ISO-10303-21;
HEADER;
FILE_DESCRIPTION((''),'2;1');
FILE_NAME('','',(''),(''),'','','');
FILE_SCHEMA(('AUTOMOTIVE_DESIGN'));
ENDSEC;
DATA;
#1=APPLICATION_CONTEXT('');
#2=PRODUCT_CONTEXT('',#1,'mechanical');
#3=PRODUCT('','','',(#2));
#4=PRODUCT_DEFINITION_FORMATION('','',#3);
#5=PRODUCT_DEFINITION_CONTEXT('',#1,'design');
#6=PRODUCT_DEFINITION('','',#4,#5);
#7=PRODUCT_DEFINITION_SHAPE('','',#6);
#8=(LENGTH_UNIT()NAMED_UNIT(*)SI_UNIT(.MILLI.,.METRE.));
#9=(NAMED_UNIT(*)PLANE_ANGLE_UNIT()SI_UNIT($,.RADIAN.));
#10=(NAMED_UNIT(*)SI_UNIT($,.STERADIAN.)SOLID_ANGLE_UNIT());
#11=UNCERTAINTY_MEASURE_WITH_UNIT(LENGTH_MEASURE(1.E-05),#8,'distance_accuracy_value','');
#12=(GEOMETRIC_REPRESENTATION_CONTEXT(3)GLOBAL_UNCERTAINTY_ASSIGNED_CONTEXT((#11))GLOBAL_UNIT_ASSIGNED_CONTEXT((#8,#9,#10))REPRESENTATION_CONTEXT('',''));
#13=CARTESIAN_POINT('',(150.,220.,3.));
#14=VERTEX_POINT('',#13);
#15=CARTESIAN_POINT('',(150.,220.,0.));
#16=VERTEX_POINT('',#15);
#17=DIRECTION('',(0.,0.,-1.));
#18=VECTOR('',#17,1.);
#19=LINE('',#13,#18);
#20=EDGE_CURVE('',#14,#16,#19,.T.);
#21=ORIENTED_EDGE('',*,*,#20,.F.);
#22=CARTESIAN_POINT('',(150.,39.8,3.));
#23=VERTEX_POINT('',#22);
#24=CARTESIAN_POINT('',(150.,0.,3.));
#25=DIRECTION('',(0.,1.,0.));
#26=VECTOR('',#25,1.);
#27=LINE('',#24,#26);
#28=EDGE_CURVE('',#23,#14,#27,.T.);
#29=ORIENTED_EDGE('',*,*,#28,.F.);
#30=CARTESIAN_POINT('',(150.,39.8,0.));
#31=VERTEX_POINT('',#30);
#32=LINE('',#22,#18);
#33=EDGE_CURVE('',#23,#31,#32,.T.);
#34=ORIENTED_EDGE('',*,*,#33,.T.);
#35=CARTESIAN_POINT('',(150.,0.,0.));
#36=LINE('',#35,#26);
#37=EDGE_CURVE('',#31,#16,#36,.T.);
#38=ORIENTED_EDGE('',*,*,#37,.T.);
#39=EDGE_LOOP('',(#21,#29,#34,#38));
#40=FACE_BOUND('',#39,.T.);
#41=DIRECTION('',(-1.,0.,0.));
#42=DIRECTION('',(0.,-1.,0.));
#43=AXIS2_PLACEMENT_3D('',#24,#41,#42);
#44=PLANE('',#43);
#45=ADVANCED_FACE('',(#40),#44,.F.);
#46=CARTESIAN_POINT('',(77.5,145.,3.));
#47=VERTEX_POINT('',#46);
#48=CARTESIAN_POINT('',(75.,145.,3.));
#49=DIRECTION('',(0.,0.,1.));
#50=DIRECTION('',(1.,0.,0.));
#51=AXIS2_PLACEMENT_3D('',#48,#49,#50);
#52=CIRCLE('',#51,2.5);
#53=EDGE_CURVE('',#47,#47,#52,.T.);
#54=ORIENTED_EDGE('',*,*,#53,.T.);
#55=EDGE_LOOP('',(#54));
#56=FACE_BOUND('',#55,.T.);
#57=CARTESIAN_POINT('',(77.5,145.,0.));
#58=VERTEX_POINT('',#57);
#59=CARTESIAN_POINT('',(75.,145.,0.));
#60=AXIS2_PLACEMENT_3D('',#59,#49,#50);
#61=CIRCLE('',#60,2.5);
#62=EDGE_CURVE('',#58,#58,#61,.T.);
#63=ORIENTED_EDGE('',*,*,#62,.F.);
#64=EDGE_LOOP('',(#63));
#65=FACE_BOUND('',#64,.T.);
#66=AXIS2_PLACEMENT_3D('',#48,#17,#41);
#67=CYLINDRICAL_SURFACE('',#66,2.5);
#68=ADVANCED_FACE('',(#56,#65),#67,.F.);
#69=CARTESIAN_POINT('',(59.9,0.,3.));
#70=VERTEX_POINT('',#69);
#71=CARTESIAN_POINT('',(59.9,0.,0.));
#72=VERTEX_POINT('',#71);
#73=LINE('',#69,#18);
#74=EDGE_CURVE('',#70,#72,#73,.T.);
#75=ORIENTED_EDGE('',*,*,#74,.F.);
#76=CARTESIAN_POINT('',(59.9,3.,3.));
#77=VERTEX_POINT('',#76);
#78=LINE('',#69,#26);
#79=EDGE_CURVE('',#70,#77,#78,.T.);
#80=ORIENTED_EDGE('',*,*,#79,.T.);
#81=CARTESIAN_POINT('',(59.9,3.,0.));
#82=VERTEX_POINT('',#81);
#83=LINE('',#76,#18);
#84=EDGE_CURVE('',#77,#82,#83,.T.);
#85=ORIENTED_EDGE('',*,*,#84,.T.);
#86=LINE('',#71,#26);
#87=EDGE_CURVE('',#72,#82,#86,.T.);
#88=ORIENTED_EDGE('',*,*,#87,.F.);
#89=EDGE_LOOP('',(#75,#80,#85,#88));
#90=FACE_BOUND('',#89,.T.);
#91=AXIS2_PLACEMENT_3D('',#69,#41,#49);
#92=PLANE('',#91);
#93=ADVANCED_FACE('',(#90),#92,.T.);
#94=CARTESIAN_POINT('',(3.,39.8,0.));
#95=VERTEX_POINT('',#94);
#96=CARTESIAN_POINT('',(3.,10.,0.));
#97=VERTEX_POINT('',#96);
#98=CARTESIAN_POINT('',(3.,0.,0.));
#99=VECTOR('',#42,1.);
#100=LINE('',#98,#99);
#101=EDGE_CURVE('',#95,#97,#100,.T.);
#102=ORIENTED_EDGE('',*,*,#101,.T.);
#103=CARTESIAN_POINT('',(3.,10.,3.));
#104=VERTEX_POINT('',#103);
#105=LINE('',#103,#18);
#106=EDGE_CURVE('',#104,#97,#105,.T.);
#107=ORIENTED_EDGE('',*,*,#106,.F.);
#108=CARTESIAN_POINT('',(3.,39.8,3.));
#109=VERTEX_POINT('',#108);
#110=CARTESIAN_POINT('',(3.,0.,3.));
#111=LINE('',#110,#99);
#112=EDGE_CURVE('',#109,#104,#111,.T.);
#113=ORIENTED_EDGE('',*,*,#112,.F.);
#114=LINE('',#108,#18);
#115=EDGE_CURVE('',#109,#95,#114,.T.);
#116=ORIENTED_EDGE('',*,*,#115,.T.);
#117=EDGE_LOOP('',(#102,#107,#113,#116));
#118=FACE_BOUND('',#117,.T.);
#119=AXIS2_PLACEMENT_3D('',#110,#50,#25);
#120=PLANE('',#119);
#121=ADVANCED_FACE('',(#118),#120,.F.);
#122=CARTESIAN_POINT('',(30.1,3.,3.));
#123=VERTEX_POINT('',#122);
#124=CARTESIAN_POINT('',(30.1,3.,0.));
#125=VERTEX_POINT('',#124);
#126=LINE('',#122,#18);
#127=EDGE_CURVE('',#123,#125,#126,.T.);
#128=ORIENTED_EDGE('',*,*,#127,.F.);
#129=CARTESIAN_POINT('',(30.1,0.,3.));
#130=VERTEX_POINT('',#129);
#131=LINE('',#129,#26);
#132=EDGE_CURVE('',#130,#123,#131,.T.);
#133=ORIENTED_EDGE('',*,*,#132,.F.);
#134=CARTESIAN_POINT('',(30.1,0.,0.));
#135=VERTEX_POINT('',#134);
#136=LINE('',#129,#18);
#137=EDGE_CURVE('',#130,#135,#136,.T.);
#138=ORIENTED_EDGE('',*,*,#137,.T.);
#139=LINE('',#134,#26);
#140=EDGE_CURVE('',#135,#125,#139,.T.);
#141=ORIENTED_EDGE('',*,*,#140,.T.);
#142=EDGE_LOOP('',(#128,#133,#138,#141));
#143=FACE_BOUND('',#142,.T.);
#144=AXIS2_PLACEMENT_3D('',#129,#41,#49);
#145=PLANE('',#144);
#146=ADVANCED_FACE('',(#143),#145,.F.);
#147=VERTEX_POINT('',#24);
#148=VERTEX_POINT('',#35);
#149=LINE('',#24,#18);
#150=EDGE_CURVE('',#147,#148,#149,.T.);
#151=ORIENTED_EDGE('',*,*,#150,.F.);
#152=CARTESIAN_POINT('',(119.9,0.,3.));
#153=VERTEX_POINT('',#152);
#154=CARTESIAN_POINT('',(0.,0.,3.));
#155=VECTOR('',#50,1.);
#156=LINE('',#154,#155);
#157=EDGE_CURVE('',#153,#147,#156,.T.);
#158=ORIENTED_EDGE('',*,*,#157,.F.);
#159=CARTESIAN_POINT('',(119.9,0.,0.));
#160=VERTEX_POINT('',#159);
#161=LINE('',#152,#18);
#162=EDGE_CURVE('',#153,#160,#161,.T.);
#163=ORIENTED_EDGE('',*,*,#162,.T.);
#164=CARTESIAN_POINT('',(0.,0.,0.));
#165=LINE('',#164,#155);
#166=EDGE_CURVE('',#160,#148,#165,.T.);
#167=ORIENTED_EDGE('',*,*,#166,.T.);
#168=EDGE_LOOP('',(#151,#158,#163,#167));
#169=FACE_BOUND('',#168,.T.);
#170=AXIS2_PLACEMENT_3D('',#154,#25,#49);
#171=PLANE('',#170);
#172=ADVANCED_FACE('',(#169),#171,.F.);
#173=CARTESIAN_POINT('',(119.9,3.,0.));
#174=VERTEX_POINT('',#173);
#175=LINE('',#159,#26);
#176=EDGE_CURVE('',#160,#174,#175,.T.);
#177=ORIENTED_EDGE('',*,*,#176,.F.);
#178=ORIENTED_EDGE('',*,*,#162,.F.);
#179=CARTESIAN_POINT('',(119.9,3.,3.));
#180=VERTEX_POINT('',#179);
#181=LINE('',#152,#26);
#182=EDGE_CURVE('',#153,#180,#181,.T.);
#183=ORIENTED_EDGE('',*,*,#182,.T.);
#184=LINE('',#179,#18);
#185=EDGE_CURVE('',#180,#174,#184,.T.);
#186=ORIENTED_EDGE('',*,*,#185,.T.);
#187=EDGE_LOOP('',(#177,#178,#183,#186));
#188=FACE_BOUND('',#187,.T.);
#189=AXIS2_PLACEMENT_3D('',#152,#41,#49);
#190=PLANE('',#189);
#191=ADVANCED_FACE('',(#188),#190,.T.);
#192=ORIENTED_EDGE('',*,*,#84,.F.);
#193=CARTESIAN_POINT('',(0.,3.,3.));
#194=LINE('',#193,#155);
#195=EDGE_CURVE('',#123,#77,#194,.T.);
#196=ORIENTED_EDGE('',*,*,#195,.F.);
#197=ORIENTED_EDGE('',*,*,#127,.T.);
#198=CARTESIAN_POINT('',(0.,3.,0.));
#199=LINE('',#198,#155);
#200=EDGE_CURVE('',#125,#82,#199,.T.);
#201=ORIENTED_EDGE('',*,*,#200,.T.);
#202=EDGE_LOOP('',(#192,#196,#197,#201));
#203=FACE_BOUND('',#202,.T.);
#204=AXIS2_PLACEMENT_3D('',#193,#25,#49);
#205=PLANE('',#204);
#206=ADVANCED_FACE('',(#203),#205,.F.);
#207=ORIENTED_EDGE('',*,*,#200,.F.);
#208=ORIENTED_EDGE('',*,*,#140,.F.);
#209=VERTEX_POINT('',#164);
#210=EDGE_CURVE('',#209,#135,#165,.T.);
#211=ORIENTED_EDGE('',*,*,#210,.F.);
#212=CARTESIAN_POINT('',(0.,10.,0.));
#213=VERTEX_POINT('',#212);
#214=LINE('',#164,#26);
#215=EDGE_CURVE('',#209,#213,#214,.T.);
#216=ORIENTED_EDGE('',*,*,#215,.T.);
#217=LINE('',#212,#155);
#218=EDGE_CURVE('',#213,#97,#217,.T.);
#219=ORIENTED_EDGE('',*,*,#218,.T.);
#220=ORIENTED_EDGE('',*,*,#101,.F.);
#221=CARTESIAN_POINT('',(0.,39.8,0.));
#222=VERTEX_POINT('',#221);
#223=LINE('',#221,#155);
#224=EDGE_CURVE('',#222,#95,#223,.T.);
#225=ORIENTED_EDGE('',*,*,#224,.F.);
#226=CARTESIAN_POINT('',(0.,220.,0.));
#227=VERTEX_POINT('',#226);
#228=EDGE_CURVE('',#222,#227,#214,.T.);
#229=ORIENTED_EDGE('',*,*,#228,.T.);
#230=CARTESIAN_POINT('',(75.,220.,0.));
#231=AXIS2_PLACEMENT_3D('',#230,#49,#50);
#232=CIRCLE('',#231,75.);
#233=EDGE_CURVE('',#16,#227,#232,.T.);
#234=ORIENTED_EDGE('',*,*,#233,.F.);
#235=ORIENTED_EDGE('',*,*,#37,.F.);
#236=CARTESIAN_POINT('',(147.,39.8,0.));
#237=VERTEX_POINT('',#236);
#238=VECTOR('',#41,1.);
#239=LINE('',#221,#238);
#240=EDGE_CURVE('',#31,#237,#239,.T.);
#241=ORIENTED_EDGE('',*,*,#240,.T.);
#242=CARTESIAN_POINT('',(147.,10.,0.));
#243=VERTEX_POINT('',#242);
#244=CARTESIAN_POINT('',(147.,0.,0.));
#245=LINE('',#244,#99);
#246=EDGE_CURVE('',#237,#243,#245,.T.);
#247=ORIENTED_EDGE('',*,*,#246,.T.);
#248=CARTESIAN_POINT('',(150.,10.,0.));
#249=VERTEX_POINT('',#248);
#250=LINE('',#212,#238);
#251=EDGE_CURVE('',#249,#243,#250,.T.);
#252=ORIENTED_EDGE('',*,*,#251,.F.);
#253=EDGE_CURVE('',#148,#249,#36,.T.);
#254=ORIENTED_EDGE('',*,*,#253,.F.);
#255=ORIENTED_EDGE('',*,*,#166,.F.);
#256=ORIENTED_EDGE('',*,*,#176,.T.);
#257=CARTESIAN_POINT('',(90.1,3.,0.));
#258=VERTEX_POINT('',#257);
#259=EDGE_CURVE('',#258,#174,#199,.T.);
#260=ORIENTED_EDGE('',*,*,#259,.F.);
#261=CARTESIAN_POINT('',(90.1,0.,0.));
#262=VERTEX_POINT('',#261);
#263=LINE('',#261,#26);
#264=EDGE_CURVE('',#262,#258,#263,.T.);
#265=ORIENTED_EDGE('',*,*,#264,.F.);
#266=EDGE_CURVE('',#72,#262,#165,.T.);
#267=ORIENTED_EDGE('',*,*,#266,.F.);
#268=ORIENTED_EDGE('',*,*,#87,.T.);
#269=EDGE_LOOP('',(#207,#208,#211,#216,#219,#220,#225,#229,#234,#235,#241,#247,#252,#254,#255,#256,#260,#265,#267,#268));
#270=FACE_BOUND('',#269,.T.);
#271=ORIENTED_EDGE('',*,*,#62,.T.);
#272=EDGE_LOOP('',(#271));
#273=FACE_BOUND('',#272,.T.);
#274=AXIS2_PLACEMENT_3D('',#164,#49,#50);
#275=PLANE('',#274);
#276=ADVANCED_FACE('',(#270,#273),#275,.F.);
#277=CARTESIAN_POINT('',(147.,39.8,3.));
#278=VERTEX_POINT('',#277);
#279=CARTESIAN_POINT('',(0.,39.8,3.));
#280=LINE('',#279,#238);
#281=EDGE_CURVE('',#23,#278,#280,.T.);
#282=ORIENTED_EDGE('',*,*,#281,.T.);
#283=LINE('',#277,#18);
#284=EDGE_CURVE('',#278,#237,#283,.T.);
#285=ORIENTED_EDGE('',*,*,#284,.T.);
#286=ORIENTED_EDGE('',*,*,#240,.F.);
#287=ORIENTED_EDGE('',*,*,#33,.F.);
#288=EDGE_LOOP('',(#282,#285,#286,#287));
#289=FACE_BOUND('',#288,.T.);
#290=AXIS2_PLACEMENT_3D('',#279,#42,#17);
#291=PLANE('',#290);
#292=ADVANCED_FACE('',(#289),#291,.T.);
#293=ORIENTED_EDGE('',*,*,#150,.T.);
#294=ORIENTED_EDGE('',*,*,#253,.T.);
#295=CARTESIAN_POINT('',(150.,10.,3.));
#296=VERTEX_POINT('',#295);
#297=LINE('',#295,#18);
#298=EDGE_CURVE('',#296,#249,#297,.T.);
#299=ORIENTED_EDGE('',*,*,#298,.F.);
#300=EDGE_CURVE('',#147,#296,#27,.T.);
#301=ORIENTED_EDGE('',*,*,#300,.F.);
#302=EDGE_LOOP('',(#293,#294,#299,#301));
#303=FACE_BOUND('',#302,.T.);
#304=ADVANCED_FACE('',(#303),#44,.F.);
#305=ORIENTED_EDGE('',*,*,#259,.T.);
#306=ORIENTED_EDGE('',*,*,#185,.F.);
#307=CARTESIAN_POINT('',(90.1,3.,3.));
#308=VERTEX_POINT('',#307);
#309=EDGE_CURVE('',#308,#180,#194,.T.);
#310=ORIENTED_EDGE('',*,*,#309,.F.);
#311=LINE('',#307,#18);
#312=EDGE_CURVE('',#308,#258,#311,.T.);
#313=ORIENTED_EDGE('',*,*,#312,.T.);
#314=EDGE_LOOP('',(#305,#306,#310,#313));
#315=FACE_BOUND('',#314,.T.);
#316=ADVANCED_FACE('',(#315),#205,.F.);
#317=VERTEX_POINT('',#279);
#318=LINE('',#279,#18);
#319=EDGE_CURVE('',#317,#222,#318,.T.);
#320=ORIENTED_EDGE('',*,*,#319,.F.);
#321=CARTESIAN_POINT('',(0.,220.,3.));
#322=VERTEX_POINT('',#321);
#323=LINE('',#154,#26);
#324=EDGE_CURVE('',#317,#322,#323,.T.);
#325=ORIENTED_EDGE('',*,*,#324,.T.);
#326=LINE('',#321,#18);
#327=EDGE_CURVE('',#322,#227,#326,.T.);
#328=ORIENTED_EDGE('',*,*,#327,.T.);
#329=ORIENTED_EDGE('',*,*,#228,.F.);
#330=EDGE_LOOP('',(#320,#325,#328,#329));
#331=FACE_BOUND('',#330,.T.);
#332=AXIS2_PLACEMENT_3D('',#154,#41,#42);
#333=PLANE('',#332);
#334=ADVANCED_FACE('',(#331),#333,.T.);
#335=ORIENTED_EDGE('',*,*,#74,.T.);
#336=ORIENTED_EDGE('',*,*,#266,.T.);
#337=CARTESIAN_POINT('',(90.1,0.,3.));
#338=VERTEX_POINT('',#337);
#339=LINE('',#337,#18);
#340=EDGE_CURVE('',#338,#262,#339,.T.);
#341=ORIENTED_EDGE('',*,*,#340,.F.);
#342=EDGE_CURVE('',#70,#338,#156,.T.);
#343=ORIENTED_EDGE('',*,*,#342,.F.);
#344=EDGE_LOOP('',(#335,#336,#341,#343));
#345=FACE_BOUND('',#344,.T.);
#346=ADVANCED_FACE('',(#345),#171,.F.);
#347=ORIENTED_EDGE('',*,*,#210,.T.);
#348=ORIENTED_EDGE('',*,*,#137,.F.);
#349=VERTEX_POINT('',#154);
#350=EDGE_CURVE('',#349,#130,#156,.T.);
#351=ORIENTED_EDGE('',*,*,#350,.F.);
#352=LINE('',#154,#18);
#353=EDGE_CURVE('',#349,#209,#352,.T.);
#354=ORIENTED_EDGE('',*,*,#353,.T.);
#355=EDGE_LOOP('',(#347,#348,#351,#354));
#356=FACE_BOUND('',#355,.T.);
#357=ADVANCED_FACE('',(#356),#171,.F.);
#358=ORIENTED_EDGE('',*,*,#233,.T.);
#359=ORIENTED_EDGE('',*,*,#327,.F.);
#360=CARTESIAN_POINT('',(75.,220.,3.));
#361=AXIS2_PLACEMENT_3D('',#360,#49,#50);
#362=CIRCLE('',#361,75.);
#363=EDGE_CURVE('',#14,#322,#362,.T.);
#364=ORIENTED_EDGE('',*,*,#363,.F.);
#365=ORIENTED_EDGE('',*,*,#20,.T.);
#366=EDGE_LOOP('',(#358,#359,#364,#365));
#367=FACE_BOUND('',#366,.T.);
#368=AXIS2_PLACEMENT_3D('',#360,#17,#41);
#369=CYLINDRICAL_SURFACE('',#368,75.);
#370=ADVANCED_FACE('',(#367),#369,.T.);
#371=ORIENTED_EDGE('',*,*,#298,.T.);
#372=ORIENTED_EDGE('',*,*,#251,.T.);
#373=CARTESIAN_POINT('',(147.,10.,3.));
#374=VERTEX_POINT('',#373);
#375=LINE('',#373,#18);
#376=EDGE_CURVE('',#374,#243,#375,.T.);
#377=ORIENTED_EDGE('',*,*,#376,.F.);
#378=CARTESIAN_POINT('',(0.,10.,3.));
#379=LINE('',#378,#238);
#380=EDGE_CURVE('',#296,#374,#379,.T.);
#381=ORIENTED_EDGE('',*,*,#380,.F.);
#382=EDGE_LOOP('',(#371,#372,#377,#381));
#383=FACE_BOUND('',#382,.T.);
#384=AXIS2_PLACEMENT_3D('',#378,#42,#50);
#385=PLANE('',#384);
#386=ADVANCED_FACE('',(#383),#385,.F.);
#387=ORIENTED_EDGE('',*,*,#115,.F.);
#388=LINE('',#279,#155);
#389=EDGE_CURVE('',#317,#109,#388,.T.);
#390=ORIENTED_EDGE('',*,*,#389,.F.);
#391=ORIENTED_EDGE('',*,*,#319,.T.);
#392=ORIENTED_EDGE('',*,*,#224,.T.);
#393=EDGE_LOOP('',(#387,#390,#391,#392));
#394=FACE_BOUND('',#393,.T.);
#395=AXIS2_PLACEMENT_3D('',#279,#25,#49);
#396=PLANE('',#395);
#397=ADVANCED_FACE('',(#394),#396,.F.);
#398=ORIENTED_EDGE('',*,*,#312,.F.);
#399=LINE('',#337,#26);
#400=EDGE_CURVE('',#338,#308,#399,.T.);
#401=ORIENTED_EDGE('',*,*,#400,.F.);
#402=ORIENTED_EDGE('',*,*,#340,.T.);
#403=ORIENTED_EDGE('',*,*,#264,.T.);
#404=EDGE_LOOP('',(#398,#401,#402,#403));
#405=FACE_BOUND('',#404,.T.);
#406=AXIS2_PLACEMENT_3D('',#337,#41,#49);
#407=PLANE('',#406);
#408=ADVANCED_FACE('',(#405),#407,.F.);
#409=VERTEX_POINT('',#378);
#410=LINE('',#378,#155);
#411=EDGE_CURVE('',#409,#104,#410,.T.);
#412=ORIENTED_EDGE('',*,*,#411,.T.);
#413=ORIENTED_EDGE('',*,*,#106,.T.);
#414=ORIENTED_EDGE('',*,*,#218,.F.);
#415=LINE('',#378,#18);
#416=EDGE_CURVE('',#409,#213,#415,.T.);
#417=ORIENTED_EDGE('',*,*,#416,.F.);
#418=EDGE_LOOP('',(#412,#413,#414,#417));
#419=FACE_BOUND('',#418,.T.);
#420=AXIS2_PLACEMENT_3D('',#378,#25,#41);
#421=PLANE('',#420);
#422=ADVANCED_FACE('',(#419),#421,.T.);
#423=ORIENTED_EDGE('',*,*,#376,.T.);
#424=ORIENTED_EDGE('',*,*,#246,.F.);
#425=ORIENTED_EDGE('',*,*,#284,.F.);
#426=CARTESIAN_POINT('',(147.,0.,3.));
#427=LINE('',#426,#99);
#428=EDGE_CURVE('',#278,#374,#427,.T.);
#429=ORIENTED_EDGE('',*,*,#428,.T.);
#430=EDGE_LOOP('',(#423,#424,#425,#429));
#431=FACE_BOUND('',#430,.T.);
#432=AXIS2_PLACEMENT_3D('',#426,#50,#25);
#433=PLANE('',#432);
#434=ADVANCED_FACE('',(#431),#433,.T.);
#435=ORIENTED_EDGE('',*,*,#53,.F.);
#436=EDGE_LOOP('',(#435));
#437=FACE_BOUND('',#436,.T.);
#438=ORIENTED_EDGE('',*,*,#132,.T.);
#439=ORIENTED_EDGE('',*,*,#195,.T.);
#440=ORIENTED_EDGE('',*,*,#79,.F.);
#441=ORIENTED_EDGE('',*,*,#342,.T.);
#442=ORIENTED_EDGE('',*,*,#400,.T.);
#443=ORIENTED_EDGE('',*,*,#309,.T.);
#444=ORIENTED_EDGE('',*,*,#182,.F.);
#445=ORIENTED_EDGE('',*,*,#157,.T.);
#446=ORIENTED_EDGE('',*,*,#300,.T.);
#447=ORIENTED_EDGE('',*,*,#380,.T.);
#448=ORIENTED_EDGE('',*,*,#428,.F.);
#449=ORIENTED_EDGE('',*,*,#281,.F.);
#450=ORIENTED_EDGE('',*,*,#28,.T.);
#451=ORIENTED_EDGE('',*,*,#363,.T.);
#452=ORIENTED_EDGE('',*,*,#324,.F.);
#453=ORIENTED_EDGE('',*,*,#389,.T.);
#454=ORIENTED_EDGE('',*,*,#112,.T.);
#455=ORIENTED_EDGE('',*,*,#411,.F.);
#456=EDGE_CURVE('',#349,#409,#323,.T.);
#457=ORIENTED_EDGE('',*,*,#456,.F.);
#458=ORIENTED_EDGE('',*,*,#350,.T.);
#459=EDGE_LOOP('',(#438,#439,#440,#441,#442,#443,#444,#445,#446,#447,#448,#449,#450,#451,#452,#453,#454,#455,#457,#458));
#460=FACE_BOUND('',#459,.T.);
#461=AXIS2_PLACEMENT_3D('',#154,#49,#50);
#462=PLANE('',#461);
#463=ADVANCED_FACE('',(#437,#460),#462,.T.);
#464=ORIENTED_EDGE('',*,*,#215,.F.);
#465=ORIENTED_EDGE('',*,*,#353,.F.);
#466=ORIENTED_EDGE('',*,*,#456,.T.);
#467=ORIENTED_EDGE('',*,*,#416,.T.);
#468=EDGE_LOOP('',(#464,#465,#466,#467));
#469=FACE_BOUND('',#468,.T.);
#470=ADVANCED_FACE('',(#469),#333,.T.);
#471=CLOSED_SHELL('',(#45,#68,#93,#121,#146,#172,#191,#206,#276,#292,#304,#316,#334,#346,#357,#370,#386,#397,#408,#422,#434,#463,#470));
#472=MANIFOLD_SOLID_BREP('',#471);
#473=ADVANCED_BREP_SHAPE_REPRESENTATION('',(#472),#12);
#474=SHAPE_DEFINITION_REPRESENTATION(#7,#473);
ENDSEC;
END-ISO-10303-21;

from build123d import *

# Parameters (mm, degrees)
SKETCH1_R           = 2.5
BOSS_EXTRUDE1_DEPTH = 3


with BuildPart() as part:
    # Sketch1 → Boss-Extrude1 (new body)
    with BuildSketch(Plane.XY):
        with BuildLine():
            Line((59.9, 0), (90.1, 0))
            Line((90.1, 0), (90.1, 3))
            Line((90.1, 3), (119.9, 3))
            Line((119.9, 3), (119.9, 0))
            Line((119.9, 0), (150, 0))
            Line((150, 0), (150, 10))
            Line((150, 10), (147, 10))
            Line((147, 10), (147, 39.8))
            Line((147, 39.8), (150, 39.8))
            Line((150, 39.8), (150, 220))
            ThreePointArc((150, 220), (75, 295), (0, 220))
            Line((0, 220), (0, 39.8))
            Line((0, 39.8), (3, 39.8))
            Line((3, 39.8), (3, 10))
            Line((3, 10), (0, 10))
            Line((0, 10), (0, 0))
            Line((0, 0), (30.1, 0))
            Line((30.1, 0), (30.1, 3))
            Line((30.1, 3), (59.9, 3))
            Line((59.9, 3), (59.9, 0))
        make_face()
        with Locations((75, 145)):
            Circle(SKETCH1_R, mode=Mode.SUBTRACT)
    extrude(amount=BOSS_EXTRUDE1_DEPTH)


solid = part.part
